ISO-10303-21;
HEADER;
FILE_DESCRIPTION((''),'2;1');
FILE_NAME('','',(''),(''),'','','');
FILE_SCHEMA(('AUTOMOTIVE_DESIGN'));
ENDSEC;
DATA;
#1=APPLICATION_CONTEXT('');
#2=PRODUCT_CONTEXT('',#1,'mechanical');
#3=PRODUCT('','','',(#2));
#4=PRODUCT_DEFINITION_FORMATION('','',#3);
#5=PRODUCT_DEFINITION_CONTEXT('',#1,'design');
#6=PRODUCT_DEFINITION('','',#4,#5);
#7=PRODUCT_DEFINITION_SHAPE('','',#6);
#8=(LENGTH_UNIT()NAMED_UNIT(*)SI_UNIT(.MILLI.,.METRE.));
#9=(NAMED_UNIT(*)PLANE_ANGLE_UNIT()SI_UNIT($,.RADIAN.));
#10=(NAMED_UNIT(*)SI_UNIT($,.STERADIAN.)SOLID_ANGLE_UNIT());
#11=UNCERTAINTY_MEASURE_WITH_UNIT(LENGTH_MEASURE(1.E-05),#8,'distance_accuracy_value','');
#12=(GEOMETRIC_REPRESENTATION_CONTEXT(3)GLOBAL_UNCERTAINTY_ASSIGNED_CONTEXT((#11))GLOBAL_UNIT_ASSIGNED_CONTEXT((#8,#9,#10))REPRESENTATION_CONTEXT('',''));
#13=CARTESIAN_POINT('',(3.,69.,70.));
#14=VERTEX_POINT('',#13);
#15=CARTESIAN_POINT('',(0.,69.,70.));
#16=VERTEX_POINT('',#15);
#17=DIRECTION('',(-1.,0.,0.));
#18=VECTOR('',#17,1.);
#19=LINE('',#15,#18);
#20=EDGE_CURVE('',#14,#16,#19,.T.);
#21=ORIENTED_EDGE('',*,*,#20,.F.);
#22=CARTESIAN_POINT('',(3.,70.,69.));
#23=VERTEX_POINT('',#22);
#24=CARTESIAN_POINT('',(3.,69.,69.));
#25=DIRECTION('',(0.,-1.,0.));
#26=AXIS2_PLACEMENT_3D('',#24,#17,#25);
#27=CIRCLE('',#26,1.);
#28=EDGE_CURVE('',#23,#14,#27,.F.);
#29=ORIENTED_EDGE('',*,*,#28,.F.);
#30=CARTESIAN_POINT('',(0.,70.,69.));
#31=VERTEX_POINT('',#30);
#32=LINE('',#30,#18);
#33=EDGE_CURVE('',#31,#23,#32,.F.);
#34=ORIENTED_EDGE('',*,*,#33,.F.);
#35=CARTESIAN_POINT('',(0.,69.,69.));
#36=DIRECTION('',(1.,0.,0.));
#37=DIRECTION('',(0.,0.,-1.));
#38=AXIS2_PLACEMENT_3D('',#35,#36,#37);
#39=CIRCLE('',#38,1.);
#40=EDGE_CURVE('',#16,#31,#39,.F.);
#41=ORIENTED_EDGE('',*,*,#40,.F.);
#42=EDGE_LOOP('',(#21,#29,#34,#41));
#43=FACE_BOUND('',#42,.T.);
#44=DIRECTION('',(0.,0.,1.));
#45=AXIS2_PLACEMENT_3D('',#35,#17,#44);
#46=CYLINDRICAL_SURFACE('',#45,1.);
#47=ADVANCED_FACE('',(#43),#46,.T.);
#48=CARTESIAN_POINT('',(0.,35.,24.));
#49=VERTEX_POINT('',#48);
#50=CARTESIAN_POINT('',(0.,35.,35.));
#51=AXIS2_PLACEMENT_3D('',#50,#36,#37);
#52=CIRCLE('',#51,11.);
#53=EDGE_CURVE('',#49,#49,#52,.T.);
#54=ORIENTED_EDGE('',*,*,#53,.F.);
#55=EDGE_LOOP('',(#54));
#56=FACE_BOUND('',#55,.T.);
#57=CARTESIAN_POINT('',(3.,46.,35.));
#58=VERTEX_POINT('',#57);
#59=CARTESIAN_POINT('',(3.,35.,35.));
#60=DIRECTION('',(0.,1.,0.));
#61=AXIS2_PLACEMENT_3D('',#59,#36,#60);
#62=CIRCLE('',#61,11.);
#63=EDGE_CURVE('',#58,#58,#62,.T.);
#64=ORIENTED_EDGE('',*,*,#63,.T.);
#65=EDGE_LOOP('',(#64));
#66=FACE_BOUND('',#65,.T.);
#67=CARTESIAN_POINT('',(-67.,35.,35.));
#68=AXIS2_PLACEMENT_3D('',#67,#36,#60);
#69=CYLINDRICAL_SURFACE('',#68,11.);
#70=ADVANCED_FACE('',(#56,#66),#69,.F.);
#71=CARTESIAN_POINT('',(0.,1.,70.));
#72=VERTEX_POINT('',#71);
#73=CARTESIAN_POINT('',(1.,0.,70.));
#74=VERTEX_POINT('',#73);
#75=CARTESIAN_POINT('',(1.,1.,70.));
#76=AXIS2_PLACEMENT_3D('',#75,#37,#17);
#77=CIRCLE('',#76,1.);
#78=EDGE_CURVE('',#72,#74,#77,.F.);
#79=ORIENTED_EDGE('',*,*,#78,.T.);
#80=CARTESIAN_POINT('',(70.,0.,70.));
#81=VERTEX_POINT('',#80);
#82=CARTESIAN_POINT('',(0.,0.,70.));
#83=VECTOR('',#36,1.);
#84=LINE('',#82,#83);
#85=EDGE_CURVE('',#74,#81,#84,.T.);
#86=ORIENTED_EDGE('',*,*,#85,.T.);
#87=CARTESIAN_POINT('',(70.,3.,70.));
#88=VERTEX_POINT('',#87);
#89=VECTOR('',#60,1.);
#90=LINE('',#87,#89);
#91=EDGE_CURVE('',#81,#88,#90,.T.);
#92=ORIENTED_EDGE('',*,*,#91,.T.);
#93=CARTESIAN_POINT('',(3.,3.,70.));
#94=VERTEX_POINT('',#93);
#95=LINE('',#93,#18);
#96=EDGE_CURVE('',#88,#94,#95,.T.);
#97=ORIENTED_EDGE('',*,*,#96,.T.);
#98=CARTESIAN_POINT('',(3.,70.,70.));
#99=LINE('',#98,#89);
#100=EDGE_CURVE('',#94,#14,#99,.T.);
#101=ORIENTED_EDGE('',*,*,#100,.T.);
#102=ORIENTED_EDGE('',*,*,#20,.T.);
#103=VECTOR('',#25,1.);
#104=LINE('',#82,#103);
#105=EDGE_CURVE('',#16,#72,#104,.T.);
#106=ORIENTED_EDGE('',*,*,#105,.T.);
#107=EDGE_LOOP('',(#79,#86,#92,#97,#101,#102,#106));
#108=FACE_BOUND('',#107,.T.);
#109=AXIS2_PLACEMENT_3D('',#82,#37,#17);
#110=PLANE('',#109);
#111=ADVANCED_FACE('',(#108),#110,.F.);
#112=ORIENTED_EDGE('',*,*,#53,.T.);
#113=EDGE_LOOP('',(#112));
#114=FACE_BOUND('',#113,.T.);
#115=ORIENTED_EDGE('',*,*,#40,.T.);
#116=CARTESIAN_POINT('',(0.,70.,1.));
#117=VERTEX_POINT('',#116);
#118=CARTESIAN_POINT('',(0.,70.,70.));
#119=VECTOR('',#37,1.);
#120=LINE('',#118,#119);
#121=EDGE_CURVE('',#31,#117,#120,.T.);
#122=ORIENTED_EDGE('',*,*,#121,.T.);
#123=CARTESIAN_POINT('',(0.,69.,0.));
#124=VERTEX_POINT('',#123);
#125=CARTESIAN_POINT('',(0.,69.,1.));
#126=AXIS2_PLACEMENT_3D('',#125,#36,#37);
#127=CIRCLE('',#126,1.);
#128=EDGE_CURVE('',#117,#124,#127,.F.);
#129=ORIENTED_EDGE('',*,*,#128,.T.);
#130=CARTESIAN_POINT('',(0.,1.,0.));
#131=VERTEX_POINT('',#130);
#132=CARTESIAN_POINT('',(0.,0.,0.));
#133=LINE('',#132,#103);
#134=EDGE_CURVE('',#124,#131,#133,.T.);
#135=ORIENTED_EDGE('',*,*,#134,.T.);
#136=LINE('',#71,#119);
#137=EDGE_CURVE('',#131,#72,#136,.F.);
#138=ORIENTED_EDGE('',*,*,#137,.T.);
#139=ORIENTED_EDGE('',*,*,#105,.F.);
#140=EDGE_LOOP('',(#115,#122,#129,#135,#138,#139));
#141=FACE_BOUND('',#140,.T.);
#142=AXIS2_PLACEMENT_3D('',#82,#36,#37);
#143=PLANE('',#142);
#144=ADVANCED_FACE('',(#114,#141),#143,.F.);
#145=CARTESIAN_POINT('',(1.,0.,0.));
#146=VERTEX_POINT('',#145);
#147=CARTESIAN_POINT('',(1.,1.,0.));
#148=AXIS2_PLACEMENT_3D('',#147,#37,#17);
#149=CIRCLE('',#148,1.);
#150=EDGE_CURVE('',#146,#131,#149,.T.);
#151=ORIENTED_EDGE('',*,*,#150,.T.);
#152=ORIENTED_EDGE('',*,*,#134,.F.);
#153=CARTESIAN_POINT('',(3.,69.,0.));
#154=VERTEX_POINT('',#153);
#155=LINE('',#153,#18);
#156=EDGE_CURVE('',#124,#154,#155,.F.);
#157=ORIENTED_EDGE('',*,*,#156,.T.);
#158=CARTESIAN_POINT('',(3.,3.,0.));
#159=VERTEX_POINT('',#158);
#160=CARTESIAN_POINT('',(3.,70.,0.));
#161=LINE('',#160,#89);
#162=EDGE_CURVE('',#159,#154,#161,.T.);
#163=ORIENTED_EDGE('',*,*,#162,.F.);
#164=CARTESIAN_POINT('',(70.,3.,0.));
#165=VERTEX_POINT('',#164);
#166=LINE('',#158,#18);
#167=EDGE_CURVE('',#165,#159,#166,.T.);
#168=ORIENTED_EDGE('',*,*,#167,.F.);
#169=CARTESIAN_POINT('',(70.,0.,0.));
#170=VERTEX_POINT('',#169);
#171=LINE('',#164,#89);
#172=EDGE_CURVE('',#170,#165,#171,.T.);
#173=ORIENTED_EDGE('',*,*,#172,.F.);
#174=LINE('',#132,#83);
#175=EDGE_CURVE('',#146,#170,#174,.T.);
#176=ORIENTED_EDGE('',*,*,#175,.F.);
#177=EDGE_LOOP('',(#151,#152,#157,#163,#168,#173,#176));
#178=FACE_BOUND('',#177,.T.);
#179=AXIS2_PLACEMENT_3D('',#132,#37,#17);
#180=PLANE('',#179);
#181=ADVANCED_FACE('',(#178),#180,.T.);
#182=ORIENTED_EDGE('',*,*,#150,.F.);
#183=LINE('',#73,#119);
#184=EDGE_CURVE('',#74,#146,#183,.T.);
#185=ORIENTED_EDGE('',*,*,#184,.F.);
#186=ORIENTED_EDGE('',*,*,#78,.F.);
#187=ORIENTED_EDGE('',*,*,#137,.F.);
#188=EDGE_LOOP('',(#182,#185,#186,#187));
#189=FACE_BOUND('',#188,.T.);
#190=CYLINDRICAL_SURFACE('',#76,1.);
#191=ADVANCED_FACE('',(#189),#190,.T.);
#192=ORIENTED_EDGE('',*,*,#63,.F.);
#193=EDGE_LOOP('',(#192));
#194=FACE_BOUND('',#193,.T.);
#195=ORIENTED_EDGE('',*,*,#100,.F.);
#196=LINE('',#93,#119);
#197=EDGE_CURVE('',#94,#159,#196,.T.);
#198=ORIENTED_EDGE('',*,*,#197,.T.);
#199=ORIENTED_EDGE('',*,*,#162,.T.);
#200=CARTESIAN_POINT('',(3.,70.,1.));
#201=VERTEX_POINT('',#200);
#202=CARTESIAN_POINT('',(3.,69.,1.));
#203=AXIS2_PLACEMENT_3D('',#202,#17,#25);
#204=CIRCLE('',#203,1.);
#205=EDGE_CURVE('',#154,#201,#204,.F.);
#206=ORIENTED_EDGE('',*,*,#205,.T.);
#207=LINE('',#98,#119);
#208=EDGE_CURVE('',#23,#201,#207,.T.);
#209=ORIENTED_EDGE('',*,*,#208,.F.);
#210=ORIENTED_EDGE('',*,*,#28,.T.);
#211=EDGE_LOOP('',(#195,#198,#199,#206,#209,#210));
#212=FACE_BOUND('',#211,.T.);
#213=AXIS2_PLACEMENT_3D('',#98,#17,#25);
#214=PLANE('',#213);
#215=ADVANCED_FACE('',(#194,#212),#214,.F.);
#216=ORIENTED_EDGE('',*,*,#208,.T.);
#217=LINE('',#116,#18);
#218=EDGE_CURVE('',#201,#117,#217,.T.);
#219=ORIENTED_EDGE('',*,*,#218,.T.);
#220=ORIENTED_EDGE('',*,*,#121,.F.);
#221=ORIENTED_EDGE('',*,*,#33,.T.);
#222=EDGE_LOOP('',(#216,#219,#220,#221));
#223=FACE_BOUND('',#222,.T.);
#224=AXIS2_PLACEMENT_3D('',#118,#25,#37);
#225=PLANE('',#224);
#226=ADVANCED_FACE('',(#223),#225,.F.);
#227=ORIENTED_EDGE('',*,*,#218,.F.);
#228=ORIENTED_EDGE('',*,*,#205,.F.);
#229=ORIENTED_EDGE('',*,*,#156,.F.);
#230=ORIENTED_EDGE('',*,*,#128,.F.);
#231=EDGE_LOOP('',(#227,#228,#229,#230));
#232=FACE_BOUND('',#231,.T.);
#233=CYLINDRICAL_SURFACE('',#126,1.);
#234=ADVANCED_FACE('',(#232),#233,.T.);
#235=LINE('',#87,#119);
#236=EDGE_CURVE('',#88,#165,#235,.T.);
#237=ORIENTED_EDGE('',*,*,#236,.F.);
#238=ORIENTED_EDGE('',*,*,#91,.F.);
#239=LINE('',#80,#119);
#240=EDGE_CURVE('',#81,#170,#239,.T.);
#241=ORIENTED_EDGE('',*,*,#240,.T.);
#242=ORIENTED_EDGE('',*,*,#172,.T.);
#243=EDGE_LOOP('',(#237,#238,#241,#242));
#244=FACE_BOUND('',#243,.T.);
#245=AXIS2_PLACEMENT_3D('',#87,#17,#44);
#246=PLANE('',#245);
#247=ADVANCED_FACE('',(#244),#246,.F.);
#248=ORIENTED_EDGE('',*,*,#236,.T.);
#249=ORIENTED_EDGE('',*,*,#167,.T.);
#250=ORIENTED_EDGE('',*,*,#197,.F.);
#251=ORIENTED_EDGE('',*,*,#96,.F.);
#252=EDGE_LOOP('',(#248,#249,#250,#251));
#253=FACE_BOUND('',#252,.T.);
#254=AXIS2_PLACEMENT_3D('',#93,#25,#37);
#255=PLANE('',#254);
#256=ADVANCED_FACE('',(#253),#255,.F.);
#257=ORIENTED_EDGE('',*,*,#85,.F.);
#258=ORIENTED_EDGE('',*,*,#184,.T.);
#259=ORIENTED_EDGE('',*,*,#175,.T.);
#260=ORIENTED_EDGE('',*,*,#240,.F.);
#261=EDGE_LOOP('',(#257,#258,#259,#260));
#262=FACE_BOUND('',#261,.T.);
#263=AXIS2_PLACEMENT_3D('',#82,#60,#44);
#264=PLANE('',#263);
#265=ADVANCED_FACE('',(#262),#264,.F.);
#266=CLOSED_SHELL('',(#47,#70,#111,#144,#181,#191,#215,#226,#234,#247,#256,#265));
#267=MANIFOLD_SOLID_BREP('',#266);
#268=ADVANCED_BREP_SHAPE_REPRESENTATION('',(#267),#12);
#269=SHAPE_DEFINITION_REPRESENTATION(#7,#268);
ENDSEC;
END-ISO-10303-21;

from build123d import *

# Parameters (mm, degrees)
BOSS_EXTRU_1_DEPTH      = 70
ESQUISSE2_R             = 11
ENL_V_MAT_EXTRU_1_DEPTH = 70
CONG_8_R                = 1
CONG_9_R                = 1


with BuildPart() as part:
    # Esquisse1 → Boss.-Extru.1 (new body)
    with BuildSketch(Plane.XY):
        Polygon((0, 0), (70, 0), (70, 3), (3, 3), (3, 70), (0, 70), align=None)
    extrude(amount=BOSS_EXTRU_1_DEPTH)

    # Esquisse2 → Enlèv. mat.-Extru.1 (cut)
    with BuildSketch(Plane(origin=(3, 0, 0), x_dir=(0, 0, -1), z_dir=(1, 0, 0))):
        with Locations(Location((-35, 35, 0), (0, 0, 90))):  # turned: the seam where the file's is
            Circle(ESQUISSE2_R)
    extrude(amount=-ENL_V_MAT_EXTRU_1_DEPTH, mode=Mode.SUBTRACT)

    # Congé8
    cong_8_edges = [part.edges().sort_by_distance(p)[0] for p in [
        (0, 0, 35),
    ]]
    fillet(cong_8_edges, radius=CONG_8_R)

    # Congé9
    cong_9_edges = [part.edges().sort_by_distance(p)[0] for p in [
        (1.5, 70, 70),
        (1.5, 70, 0),
    ]]
    fillet(cong_9_edges, radius=CONG_9_R)


solid = part.part
